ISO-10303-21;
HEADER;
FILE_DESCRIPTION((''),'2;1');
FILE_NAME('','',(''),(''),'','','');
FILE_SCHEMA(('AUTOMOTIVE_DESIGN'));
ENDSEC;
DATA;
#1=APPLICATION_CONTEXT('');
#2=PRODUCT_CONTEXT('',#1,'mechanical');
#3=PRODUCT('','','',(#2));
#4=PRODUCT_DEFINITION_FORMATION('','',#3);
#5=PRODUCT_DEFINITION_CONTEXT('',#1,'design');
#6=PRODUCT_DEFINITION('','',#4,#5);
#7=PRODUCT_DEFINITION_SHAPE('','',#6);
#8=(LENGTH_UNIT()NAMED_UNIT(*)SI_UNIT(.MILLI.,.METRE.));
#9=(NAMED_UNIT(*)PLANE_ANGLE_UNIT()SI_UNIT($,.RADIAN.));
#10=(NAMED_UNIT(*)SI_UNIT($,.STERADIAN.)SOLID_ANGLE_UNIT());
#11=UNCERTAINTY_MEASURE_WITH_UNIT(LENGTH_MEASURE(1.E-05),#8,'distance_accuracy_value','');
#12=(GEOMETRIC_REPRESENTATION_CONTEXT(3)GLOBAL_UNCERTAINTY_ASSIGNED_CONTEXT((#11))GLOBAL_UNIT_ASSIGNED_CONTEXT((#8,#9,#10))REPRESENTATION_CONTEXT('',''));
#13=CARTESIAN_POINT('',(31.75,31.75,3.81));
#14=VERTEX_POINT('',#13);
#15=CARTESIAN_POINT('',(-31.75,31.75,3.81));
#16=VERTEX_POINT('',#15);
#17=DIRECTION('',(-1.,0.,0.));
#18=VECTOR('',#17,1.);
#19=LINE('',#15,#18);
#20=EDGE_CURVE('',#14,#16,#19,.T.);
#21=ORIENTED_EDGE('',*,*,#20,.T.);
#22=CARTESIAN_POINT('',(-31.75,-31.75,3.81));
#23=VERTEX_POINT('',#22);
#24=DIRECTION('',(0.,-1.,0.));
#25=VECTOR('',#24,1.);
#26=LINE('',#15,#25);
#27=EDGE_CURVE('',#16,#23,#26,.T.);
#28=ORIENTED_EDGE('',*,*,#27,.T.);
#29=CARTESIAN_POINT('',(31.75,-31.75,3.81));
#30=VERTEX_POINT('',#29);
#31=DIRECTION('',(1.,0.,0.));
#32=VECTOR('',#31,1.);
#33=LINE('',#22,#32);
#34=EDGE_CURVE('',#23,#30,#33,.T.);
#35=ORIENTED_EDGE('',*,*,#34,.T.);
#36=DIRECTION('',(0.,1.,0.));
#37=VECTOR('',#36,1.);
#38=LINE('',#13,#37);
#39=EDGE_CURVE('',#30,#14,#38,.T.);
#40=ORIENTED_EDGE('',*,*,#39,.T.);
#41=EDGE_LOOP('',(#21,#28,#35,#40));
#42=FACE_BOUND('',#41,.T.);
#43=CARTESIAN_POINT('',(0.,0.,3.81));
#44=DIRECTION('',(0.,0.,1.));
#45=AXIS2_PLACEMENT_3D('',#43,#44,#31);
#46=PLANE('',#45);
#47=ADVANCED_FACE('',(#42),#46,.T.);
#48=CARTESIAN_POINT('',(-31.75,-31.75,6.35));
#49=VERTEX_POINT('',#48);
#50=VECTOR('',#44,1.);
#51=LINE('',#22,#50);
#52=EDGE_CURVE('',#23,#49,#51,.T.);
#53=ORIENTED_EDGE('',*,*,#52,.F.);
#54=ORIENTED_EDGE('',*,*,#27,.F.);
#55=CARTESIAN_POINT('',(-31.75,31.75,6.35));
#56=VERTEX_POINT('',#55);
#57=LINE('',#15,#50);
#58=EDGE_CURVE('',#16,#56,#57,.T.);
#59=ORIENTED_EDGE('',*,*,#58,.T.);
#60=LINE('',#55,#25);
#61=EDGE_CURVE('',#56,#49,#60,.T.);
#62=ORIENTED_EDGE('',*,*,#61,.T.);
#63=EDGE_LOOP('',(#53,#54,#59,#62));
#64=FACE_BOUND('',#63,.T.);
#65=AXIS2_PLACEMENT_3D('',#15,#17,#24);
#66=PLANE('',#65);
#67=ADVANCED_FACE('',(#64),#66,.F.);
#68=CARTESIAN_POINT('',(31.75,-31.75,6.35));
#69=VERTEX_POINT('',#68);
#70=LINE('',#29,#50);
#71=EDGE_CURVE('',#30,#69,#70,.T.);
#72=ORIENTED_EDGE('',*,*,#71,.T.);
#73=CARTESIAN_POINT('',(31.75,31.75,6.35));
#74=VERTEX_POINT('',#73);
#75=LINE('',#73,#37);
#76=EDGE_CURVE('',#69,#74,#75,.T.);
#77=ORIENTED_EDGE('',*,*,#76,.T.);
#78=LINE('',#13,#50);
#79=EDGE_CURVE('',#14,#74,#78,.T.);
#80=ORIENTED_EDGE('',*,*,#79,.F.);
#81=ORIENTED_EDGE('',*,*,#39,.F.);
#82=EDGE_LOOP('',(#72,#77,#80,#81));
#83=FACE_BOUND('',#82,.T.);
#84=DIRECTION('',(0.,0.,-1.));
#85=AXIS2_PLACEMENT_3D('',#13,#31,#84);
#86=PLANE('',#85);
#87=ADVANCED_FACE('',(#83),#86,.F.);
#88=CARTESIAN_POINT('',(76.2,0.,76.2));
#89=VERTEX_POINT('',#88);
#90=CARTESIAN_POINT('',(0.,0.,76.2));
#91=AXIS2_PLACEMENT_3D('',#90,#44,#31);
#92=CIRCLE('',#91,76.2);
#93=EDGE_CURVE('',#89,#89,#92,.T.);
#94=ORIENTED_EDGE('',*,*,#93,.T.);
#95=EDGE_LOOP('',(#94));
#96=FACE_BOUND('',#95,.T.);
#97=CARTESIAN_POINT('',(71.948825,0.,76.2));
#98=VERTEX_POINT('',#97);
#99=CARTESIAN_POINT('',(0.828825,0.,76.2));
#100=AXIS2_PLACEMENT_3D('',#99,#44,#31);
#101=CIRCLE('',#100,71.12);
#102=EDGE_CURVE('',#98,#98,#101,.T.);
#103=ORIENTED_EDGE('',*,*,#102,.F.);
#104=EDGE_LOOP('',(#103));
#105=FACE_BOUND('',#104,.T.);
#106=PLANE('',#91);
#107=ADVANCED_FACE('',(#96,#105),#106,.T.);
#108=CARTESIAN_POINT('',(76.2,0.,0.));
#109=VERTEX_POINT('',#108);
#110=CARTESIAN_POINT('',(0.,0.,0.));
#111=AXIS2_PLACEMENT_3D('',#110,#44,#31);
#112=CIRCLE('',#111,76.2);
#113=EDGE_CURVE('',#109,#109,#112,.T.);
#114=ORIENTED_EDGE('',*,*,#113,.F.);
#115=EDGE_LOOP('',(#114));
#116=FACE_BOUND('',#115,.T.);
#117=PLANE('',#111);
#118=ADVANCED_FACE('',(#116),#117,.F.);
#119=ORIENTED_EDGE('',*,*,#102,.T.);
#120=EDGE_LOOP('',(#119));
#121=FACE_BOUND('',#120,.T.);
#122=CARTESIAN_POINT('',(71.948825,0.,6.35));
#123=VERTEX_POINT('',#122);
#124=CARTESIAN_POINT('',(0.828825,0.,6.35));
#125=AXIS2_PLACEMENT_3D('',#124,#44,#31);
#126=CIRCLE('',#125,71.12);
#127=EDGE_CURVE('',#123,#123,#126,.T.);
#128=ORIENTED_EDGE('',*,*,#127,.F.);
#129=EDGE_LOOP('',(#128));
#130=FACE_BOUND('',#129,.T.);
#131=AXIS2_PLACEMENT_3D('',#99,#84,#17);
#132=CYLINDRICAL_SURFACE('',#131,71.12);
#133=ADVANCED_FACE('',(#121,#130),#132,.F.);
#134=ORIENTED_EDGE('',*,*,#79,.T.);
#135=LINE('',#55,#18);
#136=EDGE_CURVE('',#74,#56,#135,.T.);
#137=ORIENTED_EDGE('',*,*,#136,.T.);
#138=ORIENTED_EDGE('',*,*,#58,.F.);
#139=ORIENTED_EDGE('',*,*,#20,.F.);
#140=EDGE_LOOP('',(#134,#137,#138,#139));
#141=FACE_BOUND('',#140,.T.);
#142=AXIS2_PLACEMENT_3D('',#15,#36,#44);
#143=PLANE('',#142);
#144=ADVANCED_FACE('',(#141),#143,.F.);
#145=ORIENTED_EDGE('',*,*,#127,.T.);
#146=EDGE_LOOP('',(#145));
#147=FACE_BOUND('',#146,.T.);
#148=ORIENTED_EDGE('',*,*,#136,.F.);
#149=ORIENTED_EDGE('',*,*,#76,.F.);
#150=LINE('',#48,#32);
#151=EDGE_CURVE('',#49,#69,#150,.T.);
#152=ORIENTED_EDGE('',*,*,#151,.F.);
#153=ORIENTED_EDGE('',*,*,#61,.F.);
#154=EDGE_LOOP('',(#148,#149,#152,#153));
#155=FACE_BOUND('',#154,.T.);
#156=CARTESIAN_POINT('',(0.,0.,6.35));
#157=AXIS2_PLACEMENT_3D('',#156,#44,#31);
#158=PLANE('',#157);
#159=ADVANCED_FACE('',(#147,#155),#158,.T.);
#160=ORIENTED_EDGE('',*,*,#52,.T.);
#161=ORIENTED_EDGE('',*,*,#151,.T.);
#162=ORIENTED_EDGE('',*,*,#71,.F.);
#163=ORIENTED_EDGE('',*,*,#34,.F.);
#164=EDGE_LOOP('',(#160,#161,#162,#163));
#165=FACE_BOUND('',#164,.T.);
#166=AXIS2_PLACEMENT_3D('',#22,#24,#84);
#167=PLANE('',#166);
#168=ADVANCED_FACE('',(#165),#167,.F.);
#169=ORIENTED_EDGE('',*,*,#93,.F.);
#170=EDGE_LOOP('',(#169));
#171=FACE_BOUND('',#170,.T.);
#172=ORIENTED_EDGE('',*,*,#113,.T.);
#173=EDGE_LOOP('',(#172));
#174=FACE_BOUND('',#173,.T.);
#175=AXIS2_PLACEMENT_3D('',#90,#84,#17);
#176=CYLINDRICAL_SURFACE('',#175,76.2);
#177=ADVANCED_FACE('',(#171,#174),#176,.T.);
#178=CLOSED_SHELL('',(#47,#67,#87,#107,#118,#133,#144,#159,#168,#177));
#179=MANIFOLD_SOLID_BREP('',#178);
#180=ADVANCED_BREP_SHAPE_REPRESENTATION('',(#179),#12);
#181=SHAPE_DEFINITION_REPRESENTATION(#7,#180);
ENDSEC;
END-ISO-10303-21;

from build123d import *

# Parameters (mm, degrees)
SKETCH1_R           = 76.2
SKETCH1_R_2         = 71.12
BOSS_EXTRUDE1_DEPTH = 76.2
SKETCH3_R           = 76.2
BOSS_EXTRUDE2_DEPTH = 6.35
SKETCH4_W           = 63.5
SKETCH4_H           = 63.5
CUT_EXTRUDE1_DEPTH  = 2.54


with BuildPart() as part:
    # Sketch1 → Boss-Extrude1 (new body)
    with BuildSketch(Plane.XY):
        Circle(SKETCH1_R)
        with Locations((0.828825483, 0)):
            Circle(SKETCH1_R_2, mode=Mode.SUBTRACT)
    extrude(amount=BOSS_EXTRUDE1_DEPTH)

    # Sketch3 → Boss-Extrude2 (add)
    with BuildSketch(Plane.XY):
        Circle(SKETCH3_R)
    extrude(amount=BOSS_EXTRUDE2_DEPTH)

    # Sketch4 → Cut-Extrude1 (cut)
    with BuildSketch(Plane.XY.offset(6.35)):
        Rectangle(SKETCH4_W, SKETCH4_H)
    extrude(amount=-CUT_EXTRUDE1_DEPTH, mode=Mode.SUBTRACT)


solid = part.part
